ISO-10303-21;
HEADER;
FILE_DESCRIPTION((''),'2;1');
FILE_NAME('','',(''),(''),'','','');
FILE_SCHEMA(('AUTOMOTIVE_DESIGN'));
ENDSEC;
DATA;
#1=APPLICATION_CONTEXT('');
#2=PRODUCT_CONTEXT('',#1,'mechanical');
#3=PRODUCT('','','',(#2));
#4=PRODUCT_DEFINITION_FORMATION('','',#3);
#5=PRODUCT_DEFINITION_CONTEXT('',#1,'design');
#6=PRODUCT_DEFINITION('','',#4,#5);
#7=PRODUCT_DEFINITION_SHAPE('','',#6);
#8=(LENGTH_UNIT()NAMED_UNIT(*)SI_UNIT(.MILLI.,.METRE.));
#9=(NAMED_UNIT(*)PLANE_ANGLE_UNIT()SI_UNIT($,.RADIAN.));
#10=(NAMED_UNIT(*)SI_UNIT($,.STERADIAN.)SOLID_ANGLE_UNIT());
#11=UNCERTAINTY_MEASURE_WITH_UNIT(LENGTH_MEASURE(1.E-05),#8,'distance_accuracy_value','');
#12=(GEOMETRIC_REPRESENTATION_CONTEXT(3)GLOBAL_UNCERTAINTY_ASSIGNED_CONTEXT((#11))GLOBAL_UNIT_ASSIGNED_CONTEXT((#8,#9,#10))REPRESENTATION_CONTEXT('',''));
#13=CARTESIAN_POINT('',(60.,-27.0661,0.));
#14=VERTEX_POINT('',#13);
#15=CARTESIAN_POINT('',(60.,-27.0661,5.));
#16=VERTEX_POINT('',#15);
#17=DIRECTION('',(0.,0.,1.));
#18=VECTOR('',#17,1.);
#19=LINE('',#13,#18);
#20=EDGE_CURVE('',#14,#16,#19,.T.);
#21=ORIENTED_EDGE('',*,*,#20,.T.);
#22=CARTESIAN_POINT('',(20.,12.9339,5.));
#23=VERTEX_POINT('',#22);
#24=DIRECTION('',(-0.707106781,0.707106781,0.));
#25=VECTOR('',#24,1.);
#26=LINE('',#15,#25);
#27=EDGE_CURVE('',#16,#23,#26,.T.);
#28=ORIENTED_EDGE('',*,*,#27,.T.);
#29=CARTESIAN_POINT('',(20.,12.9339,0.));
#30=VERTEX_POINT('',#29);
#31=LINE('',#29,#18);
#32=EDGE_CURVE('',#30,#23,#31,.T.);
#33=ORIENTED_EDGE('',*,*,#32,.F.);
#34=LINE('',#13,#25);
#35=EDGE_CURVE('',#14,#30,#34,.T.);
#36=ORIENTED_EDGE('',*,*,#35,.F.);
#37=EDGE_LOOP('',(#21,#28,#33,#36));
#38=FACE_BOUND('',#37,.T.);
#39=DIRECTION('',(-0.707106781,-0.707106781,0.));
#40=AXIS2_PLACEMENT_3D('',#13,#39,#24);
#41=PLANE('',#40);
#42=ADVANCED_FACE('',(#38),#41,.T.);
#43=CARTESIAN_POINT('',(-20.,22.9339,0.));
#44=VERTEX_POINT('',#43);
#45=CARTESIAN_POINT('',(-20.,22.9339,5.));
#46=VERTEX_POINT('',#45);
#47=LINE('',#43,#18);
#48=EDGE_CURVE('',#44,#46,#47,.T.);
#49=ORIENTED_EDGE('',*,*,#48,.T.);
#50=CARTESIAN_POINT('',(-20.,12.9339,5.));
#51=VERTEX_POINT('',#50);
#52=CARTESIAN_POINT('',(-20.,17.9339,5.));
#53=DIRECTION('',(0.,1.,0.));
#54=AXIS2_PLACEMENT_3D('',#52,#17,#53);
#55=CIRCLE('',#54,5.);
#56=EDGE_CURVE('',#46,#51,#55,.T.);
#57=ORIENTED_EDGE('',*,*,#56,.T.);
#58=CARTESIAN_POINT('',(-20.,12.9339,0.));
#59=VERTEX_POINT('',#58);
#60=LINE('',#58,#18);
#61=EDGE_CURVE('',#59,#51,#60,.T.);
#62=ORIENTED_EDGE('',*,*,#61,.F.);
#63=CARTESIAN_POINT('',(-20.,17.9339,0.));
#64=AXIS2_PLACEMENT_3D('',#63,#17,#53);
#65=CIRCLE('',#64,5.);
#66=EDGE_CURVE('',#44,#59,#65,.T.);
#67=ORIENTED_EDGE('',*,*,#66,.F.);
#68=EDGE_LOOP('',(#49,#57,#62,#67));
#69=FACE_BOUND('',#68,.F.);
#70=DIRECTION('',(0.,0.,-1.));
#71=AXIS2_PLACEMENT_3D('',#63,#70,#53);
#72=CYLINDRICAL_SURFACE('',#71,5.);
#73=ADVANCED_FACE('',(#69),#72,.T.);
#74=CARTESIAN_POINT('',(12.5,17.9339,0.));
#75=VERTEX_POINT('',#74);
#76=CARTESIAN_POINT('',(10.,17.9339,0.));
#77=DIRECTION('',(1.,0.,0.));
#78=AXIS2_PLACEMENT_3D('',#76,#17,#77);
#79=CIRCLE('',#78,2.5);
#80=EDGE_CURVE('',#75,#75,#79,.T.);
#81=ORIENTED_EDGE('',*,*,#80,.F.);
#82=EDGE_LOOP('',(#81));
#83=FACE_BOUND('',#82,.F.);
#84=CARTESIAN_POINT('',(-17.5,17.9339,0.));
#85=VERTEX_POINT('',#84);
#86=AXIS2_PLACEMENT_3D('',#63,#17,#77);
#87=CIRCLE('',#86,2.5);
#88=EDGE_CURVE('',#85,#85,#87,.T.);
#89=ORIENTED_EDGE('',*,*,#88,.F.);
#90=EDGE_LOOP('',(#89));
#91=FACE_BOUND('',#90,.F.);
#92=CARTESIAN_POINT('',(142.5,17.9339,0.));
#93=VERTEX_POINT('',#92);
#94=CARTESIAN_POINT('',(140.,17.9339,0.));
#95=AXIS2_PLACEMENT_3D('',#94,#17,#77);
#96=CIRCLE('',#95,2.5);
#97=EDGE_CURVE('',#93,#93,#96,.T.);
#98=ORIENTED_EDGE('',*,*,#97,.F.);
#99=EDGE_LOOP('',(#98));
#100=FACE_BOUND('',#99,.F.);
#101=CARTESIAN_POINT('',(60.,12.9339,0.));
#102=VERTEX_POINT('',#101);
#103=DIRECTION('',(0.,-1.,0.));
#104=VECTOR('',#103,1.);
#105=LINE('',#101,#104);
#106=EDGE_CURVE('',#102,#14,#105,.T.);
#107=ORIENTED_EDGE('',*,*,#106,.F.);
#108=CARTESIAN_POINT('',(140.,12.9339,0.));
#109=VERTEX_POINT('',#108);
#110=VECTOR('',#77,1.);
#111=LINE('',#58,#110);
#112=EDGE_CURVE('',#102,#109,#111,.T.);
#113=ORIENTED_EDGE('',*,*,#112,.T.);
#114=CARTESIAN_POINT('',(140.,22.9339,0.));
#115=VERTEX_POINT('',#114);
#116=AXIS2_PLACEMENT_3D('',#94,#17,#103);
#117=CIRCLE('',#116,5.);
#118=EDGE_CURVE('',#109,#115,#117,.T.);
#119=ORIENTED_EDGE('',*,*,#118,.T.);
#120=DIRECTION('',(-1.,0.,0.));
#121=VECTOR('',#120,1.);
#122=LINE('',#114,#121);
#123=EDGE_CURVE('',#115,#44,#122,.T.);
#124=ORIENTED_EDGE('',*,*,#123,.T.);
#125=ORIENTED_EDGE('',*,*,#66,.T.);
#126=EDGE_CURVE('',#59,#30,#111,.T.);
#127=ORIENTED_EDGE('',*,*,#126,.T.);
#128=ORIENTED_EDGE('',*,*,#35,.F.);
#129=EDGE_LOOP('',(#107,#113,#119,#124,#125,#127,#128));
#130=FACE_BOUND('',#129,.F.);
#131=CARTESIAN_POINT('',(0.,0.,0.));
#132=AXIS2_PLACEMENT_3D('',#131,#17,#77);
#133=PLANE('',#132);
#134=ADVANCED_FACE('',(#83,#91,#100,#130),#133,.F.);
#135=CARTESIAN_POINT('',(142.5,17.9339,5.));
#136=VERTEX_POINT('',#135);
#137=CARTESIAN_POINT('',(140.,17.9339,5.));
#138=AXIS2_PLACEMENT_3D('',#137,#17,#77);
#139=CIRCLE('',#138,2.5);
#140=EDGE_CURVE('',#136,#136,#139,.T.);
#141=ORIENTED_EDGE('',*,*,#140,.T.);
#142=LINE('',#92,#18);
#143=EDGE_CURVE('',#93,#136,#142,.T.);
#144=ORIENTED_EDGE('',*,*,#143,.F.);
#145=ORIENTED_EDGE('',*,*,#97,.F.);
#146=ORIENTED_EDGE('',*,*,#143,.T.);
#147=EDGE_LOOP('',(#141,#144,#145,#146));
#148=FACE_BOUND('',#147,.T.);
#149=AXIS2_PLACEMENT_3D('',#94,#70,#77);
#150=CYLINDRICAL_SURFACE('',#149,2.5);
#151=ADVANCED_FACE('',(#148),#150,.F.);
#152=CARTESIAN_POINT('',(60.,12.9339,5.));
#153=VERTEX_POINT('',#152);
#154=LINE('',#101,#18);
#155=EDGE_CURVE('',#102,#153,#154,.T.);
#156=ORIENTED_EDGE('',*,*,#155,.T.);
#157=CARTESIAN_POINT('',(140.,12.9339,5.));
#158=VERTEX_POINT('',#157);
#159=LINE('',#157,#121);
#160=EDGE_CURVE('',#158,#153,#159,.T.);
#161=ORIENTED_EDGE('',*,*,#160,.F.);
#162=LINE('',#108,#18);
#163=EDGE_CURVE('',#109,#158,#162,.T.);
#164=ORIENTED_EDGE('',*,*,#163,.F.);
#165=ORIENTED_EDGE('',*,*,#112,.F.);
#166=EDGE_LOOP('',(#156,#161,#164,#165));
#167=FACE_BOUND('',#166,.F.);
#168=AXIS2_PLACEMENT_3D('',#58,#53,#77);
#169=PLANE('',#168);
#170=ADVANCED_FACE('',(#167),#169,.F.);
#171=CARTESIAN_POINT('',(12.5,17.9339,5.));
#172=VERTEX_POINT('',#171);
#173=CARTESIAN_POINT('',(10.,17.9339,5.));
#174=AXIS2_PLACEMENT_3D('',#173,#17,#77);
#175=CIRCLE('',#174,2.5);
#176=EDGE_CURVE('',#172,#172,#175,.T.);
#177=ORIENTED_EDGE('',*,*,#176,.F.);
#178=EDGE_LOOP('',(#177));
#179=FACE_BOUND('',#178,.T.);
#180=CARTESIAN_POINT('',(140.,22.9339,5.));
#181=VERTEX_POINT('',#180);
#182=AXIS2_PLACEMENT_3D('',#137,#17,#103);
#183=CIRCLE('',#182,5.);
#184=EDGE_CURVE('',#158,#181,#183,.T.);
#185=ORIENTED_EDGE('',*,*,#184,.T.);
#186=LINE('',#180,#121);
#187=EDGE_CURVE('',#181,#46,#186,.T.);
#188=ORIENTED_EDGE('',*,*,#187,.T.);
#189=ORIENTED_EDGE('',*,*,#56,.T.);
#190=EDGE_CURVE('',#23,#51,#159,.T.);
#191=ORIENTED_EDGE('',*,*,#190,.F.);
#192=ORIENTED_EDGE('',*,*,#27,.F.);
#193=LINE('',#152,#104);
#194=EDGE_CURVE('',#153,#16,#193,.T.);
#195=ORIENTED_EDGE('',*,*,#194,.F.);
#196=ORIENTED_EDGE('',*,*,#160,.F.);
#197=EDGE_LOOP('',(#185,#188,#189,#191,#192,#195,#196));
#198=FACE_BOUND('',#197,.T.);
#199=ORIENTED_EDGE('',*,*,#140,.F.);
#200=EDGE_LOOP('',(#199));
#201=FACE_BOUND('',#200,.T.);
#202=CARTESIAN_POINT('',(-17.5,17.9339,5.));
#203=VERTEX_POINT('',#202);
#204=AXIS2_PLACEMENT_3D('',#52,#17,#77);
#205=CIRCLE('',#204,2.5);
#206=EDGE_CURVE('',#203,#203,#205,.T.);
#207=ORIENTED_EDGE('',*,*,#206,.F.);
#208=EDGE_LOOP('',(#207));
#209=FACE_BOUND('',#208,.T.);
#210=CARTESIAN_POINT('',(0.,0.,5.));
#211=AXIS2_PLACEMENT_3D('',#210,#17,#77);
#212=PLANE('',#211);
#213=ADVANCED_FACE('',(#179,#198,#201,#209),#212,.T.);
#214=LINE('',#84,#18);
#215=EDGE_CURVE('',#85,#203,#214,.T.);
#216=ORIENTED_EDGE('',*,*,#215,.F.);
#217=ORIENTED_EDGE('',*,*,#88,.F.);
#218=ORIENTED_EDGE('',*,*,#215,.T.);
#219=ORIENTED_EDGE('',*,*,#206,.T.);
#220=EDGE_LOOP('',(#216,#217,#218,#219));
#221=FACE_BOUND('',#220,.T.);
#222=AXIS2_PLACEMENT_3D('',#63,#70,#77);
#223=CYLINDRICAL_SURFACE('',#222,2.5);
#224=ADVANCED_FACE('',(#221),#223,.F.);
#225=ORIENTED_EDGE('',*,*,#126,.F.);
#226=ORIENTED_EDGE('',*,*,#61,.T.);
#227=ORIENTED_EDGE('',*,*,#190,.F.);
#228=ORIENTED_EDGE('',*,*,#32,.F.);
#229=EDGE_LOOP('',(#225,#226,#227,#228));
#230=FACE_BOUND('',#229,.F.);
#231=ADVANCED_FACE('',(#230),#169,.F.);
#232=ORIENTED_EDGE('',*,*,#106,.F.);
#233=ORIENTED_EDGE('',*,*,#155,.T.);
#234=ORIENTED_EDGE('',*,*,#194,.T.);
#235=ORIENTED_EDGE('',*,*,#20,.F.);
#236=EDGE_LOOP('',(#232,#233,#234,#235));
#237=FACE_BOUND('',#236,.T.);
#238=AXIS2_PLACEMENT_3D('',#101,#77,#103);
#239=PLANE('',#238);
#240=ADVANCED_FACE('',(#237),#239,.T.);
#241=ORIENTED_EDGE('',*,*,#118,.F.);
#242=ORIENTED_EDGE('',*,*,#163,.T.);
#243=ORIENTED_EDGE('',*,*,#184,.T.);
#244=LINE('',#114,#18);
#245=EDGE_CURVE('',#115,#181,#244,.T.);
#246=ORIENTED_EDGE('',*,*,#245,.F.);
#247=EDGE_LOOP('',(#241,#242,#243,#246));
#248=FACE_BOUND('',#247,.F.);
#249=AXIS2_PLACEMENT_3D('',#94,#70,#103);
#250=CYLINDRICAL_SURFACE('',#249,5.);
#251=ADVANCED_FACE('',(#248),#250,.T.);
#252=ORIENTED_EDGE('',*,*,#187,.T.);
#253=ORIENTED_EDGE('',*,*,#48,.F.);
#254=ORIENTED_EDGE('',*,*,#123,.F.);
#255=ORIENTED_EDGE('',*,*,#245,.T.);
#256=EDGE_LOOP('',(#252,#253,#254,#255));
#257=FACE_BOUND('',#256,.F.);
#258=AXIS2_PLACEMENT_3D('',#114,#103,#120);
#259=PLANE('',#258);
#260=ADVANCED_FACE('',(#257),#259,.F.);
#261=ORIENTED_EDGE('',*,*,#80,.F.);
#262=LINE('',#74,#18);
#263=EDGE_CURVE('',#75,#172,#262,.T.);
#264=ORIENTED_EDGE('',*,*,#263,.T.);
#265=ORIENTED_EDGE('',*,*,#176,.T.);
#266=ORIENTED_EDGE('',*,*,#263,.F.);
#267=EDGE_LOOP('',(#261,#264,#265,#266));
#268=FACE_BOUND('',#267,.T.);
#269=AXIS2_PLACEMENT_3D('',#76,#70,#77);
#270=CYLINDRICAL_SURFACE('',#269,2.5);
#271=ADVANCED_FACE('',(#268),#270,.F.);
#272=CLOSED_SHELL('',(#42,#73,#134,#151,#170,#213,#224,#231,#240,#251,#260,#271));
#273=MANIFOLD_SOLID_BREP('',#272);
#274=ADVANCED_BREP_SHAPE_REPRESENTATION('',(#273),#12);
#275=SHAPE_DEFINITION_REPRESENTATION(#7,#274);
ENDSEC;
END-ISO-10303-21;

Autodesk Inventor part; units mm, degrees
ref_plane "YZ Plane" through (0, 0, 0) normal (1, 0, 0) x (0, 1, 0)
ref_plane "XZ Plane" through (0, 0, 0) normal (0, 1, 0) x (-1, 0, 0)
ref_plane "XY Plane" through (0, 0, 0) normal (0, 0, 1) x (1, 0, 0)
sketch "Sketch1" plane through (0, 0, 0) normal (0, 0, 1) x (1, 0, 0)
  line L0 (-20, 17.9339) -> (140, 17.9339) construction
  line L1 (-20, 12.9339) -> (140, 12.9339)
  line L2 (140, 22.9339) -> (-20, 22.9339)
  arc A0 (-20, 22.9339) -> (-20, 12.9339) centre (-20, 17.9339) ccw
  arc A1 (140, 12.9339) -> (140, 22.9339) centre (140, 17.9339) ccw
  circle A2 centre (-20, 17.9339) radius 2.5
  circle A3 centre (140, 17.9339) radius 2.5
  circle A4 centre (10, 17.9339) radius 2.5
  line L3 (60, 12.9339) -> (60, -27.0661)
  line L4 (60, -27.0661) -> (20, 12.9339)
  point P0 (0, 0)
  point P1 (60, 17.9339)
  dimension "d0" = 10
  dimension "d1" = 5
  dimension "d2" = 160
  dimension "d7" = 30
  dimension "d10" = 45
  dimension "d11" = 40
  dimension "d12" = 80
extrude "Extrusion1" add sketch "Sketch1" along normal blind 5 contours A0 L2 A1 L1 | A3 | A4
extrude "Extrusion3" cut sketch "Sketch1" along normal up to surface (5 mm away) contours A3 | A4
extrude "Extrusion4" add sketch "Sketch1" along normal up to surface (5 mm away) contours L1 L3 L4
properties material "Copper, Alloy"
